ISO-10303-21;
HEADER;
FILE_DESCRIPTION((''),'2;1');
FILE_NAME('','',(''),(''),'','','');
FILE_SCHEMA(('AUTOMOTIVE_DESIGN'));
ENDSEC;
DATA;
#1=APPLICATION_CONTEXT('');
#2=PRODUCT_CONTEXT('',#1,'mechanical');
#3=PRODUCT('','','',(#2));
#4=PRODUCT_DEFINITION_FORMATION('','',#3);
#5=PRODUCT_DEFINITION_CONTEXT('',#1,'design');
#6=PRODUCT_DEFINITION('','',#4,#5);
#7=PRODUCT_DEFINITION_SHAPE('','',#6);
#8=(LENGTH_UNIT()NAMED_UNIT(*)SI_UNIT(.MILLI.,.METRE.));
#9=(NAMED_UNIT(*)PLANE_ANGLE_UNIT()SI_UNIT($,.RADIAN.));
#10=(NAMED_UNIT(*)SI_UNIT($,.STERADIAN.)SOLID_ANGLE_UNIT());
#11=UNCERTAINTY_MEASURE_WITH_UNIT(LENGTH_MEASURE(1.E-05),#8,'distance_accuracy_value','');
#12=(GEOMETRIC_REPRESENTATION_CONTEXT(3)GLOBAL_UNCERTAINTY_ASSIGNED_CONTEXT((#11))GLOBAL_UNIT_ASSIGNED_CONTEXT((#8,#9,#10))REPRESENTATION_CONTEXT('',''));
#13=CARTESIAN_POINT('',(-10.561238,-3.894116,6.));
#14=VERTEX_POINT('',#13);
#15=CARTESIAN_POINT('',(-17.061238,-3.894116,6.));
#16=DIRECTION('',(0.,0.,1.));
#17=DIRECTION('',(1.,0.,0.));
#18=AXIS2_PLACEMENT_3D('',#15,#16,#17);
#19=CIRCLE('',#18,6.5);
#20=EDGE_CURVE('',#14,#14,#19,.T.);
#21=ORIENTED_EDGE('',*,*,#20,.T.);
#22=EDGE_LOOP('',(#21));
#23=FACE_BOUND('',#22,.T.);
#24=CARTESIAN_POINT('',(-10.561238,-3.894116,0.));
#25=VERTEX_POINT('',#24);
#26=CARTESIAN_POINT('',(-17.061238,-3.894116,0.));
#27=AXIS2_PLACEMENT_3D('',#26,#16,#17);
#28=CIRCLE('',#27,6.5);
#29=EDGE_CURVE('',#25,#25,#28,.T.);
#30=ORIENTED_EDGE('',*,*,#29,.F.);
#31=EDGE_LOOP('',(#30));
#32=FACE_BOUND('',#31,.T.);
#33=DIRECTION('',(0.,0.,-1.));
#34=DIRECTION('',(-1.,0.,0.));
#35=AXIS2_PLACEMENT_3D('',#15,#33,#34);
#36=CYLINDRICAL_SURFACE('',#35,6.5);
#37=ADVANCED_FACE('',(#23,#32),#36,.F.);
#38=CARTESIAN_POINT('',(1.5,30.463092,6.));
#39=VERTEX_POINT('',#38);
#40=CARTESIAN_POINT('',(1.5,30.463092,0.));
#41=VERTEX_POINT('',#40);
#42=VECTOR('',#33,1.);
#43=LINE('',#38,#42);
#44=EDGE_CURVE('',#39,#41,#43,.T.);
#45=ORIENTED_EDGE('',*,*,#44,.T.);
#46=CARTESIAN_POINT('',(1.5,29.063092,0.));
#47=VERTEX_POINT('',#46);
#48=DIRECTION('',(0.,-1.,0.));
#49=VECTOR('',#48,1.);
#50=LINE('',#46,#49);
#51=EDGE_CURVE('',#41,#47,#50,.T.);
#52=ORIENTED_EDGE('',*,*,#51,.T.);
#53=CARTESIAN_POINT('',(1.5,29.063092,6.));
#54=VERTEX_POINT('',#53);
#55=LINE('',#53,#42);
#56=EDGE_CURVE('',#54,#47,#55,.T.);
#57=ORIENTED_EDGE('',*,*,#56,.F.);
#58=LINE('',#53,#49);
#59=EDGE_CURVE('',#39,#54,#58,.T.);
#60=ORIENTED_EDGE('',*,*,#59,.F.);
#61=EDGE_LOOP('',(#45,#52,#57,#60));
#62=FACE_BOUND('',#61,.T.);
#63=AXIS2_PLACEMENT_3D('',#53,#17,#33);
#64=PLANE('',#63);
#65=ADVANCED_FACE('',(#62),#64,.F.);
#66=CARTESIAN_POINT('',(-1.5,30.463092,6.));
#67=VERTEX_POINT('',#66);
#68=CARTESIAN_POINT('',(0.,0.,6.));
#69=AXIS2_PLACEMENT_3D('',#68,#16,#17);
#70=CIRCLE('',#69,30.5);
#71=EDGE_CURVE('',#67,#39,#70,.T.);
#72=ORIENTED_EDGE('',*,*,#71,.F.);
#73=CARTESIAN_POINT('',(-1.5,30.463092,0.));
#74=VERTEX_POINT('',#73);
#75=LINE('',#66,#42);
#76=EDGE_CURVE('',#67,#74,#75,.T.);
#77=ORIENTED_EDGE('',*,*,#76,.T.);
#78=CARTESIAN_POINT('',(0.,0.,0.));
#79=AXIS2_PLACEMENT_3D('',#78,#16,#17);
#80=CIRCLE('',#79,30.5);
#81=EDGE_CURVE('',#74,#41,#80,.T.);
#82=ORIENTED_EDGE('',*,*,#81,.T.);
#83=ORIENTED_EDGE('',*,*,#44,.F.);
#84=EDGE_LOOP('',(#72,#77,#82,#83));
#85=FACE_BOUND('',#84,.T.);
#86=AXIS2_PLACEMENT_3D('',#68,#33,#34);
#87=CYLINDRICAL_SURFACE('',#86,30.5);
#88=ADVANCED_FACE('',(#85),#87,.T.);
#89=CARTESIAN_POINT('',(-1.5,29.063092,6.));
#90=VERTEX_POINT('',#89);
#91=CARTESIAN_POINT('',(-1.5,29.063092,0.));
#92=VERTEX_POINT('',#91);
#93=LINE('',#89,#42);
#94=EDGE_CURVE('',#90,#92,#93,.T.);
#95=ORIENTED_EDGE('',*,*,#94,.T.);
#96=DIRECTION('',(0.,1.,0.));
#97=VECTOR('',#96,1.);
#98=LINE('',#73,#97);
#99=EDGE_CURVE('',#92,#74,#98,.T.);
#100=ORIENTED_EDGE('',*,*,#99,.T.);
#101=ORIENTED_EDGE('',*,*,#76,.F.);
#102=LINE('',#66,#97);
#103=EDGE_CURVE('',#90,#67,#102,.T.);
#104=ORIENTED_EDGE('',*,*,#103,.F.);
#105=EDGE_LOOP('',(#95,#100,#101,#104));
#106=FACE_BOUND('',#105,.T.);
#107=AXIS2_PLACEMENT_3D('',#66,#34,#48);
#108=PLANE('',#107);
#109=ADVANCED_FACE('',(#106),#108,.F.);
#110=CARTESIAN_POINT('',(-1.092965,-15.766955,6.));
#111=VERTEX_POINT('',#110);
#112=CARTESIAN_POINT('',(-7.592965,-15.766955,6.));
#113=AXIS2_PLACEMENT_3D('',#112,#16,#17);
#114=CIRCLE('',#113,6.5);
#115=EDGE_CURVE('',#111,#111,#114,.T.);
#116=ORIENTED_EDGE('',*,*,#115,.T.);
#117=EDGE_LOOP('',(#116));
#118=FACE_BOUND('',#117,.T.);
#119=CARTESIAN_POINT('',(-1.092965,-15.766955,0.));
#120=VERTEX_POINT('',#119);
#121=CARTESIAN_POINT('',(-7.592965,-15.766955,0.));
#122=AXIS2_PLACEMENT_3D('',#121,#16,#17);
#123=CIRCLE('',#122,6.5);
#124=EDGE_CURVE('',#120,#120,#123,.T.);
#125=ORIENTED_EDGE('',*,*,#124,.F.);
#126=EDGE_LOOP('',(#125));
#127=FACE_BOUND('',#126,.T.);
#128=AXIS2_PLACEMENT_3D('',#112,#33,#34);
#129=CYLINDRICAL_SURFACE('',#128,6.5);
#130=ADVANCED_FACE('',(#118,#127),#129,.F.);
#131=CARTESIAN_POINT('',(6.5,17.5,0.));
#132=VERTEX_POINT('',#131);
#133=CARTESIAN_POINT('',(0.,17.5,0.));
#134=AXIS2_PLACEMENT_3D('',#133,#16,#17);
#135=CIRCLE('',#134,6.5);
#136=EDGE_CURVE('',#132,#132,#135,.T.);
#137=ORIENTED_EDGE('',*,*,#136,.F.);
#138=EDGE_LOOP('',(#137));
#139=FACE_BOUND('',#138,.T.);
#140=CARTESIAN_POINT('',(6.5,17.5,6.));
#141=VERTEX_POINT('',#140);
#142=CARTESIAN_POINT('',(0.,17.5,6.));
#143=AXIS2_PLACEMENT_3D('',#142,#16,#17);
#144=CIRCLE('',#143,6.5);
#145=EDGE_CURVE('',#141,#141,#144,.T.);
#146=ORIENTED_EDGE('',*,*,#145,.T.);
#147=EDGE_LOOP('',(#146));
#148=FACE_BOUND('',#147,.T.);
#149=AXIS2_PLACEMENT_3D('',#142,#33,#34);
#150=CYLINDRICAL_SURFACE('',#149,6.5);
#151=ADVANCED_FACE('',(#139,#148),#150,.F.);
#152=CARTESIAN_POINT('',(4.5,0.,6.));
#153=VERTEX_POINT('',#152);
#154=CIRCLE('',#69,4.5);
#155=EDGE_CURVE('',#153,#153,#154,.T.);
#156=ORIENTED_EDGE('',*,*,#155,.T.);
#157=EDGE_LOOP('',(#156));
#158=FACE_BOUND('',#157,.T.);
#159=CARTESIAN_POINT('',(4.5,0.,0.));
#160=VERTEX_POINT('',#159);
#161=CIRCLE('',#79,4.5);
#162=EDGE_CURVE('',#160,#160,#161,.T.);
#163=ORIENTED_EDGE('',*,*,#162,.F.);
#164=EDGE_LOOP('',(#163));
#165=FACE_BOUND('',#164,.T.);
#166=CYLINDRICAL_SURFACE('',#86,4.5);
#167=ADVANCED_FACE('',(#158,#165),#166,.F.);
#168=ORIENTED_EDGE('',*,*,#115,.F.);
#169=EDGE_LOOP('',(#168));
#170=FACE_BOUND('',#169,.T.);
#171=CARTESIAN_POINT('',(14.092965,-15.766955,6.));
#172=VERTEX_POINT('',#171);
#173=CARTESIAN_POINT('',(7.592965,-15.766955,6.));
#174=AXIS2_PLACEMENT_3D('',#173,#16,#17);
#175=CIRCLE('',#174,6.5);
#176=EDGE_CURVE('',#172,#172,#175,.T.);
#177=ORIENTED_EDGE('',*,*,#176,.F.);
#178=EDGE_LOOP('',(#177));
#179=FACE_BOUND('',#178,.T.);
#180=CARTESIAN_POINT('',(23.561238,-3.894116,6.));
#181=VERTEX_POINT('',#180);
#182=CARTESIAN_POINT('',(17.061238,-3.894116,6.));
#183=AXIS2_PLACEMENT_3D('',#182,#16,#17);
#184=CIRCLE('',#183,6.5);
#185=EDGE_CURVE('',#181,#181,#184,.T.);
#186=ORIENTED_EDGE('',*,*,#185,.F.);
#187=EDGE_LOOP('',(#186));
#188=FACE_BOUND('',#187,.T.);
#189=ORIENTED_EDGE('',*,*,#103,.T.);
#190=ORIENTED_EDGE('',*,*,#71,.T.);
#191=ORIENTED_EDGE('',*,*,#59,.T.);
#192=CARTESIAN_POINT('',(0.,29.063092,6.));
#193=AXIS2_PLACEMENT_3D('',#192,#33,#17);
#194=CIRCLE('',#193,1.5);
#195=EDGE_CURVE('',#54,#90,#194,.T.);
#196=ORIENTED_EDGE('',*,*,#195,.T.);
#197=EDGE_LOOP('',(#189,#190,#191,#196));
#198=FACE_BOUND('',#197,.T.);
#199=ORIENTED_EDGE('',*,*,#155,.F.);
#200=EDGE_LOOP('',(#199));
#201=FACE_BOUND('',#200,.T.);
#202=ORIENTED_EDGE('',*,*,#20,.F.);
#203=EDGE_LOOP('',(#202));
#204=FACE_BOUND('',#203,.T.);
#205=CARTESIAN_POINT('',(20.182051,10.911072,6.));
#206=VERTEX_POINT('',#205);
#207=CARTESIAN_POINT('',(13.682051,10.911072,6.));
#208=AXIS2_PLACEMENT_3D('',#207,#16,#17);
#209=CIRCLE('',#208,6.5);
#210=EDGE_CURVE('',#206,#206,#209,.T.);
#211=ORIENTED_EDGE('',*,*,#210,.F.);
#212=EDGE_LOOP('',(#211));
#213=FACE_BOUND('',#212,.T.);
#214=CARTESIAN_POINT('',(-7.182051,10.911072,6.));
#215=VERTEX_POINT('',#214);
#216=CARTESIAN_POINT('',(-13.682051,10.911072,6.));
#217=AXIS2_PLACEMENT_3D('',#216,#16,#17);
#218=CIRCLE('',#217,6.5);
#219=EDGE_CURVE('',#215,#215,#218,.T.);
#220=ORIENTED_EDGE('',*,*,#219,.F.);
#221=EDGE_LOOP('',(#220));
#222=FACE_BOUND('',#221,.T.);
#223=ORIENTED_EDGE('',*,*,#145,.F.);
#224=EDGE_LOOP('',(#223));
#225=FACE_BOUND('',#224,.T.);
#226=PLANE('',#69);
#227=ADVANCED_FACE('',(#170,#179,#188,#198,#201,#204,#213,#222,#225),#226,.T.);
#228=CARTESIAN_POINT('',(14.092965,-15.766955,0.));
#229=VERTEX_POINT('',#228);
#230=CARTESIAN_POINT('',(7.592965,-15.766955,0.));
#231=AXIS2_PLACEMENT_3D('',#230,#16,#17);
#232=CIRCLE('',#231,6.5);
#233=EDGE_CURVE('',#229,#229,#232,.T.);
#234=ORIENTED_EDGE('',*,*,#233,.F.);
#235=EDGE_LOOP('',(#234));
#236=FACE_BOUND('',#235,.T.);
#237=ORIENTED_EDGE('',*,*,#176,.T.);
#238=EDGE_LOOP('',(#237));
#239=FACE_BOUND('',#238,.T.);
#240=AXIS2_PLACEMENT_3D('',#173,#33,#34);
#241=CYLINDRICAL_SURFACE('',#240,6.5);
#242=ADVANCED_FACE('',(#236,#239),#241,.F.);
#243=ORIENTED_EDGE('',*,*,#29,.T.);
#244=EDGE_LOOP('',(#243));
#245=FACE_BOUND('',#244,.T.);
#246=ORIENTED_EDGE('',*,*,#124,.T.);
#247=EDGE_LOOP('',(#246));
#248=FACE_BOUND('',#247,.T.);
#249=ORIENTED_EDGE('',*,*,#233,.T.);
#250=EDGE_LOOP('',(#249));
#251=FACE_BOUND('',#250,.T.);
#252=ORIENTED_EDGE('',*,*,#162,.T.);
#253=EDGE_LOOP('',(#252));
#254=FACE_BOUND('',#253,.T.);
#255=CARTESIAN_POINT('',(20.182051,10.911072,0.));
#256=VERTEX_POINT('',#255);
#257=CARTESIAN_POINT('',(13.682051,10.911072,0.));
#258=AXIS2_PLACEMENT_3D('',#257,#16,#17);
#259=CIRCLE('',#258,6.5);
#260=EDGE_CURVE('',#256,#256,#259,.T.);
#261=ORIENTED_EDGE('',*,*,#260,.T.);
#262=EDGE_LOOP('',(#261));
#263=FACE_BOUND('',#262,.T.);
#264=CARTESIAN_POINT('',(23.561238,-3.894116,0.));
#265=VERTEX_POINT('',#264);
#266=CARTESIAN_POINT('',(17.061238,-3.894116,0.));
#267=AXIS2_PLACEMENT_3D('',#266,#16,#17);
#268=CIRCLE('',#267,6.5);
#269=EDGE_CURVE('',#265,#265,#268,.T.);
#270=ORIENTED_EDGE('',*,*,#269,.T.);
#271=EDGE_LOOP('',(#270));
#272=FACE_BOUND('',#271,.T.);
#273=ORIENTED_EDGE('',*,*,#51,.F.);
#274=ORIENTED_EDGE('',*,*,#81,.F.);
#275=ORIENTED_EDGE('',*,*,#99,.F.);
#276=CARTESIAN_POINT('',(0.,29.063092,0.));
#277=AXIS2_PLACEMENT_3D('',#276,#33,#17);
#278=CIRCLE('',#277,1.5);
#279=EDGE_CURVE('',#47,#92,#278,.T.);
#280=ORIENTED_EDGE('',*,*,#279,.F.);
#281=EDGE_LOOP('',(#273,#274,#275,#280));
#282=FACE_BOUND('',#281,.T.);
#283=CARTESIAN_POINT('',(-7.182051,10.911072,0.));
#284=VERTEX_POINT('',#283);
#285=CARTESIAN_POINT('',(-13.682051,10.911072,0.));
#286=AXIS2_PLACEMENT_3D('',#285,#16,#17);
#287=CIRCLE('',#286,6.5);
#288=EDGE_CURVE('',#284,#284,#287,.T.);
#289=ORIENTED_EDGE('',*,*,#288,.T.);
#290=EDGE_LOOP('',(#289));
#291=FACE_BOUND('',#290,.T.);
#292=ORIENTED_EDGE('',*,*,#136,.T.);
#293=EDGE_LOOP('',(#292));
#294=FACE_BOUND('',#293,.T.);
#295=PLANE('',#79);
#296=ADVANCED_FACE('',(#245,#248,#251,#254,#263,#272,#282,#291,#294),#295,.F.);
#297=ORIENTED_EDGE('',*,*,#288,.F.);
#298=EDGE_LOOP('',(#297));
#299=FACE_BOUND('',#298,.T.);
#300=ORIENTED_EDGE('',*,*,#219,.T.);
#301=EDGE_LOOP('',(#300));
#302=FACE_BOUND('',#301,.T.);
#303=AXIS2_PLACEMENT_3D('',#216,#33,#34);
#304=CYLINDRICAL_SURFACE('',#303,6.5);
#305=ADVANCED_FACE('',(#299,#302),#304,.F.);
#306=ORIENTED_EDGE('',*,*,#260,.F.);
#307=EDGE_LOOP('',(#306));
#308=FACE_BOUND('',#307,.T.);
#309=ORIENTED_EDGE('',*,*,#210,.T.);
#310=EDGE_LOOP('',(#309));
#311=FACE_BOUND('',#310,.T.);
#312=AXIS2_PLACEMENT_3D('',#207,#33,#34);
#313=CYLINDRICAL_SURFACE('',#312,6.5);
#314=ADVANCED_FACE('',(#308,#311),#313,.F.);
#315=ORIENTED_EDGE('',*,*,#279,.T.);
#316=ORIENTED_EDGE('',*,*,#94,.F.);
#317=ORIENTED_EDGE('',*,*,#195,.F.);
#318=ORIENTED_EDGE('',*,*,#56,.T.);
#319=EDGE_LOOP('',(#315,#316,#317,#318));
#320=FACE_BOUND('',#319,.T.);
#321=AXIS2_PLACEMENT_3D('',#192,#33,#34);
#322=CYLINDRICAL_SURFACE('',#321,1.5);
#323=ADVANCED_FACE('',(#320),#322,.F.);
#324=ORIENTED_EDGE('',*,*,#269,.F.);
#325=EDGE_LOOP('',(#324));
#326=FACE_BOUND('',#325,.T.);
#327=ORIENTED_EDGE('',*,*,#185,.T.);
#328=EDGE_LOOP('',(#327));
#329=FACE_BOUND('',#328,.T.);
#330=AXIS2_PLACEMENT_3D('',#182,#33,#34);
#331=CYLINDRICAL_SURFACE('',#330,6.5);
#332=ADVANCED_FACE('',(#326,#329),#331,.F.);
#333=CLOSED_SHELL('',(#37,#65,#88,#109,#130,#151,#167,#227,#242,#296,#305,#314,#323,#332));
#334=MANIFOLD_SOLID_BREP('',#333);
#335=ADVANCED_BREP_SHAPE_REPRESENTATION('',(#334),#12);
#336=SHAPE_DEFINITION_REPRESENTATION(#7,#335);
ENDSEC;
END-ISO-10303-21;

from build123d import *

# Parameters (mm, degrees)
SZKIC1_R                    = 4.5
SZKIC1_R_2                  = 6.5
DODANIE_WYCI_GNI_CIE2_DEPTH = 6


with BuildPart() as part:
    # Szkic1 → Dodanie-wyciągnięcie2 (new body)
    with BuildSketch(Plane.XY):
        with BuildLine():
            Line((-1.5, 30.463092423), (-1.5, 29.063092423))
            ThreePointArc((-1.5, 29.063092423), (0, 27.563092423), (1.5, 29.063092423))
            Line((1.5, 29.063092423), (1.5, 30.463092423))
            ThreePointArc((1.5, 30.463092423), (0, -30.5), (-1.5, 30.463092423))
        make_face()
        Circle(SZKIC1_R, mode=Mode.SUBTRACT)
        with Locations((0, 17.5)):
            Circle(SZKIC1_R_2, mode=Mode.SUBTRACT)
        with Locations((13.682050943, 10.911071533)):
            Circle(SZKIC1_R_2, mode=Mode.SUBTRACT)
        with Locations((17.061238463, -3.894116344)):
            Circle(SZKIC1_R_2, mode=Mode.SUBTRACT)
        with Locations((7.592965435, -15.766955188)):
            Circle(SZKIC1_R_2, mode=Mode.SUBTRACT)
        with Locations((-7.592965435, -15.766955188)):
            Circle(SZKIC1_R_2, mode=Mode.SUBTRACT)
        with Locations((-17.061238463, -3.894116344)):
            Circle(SZKIC1_R_2, mode=Mode.SUBTRACT)
        with Locations((-13.682050943, 10.911071533)):
            Circle(SZKIC1_R_2, mode=Mode.SUBTRACT)
    extrude(amount=DODANIE_WYCI_GNI_CIE2_DEPTH)


solid = part.part
